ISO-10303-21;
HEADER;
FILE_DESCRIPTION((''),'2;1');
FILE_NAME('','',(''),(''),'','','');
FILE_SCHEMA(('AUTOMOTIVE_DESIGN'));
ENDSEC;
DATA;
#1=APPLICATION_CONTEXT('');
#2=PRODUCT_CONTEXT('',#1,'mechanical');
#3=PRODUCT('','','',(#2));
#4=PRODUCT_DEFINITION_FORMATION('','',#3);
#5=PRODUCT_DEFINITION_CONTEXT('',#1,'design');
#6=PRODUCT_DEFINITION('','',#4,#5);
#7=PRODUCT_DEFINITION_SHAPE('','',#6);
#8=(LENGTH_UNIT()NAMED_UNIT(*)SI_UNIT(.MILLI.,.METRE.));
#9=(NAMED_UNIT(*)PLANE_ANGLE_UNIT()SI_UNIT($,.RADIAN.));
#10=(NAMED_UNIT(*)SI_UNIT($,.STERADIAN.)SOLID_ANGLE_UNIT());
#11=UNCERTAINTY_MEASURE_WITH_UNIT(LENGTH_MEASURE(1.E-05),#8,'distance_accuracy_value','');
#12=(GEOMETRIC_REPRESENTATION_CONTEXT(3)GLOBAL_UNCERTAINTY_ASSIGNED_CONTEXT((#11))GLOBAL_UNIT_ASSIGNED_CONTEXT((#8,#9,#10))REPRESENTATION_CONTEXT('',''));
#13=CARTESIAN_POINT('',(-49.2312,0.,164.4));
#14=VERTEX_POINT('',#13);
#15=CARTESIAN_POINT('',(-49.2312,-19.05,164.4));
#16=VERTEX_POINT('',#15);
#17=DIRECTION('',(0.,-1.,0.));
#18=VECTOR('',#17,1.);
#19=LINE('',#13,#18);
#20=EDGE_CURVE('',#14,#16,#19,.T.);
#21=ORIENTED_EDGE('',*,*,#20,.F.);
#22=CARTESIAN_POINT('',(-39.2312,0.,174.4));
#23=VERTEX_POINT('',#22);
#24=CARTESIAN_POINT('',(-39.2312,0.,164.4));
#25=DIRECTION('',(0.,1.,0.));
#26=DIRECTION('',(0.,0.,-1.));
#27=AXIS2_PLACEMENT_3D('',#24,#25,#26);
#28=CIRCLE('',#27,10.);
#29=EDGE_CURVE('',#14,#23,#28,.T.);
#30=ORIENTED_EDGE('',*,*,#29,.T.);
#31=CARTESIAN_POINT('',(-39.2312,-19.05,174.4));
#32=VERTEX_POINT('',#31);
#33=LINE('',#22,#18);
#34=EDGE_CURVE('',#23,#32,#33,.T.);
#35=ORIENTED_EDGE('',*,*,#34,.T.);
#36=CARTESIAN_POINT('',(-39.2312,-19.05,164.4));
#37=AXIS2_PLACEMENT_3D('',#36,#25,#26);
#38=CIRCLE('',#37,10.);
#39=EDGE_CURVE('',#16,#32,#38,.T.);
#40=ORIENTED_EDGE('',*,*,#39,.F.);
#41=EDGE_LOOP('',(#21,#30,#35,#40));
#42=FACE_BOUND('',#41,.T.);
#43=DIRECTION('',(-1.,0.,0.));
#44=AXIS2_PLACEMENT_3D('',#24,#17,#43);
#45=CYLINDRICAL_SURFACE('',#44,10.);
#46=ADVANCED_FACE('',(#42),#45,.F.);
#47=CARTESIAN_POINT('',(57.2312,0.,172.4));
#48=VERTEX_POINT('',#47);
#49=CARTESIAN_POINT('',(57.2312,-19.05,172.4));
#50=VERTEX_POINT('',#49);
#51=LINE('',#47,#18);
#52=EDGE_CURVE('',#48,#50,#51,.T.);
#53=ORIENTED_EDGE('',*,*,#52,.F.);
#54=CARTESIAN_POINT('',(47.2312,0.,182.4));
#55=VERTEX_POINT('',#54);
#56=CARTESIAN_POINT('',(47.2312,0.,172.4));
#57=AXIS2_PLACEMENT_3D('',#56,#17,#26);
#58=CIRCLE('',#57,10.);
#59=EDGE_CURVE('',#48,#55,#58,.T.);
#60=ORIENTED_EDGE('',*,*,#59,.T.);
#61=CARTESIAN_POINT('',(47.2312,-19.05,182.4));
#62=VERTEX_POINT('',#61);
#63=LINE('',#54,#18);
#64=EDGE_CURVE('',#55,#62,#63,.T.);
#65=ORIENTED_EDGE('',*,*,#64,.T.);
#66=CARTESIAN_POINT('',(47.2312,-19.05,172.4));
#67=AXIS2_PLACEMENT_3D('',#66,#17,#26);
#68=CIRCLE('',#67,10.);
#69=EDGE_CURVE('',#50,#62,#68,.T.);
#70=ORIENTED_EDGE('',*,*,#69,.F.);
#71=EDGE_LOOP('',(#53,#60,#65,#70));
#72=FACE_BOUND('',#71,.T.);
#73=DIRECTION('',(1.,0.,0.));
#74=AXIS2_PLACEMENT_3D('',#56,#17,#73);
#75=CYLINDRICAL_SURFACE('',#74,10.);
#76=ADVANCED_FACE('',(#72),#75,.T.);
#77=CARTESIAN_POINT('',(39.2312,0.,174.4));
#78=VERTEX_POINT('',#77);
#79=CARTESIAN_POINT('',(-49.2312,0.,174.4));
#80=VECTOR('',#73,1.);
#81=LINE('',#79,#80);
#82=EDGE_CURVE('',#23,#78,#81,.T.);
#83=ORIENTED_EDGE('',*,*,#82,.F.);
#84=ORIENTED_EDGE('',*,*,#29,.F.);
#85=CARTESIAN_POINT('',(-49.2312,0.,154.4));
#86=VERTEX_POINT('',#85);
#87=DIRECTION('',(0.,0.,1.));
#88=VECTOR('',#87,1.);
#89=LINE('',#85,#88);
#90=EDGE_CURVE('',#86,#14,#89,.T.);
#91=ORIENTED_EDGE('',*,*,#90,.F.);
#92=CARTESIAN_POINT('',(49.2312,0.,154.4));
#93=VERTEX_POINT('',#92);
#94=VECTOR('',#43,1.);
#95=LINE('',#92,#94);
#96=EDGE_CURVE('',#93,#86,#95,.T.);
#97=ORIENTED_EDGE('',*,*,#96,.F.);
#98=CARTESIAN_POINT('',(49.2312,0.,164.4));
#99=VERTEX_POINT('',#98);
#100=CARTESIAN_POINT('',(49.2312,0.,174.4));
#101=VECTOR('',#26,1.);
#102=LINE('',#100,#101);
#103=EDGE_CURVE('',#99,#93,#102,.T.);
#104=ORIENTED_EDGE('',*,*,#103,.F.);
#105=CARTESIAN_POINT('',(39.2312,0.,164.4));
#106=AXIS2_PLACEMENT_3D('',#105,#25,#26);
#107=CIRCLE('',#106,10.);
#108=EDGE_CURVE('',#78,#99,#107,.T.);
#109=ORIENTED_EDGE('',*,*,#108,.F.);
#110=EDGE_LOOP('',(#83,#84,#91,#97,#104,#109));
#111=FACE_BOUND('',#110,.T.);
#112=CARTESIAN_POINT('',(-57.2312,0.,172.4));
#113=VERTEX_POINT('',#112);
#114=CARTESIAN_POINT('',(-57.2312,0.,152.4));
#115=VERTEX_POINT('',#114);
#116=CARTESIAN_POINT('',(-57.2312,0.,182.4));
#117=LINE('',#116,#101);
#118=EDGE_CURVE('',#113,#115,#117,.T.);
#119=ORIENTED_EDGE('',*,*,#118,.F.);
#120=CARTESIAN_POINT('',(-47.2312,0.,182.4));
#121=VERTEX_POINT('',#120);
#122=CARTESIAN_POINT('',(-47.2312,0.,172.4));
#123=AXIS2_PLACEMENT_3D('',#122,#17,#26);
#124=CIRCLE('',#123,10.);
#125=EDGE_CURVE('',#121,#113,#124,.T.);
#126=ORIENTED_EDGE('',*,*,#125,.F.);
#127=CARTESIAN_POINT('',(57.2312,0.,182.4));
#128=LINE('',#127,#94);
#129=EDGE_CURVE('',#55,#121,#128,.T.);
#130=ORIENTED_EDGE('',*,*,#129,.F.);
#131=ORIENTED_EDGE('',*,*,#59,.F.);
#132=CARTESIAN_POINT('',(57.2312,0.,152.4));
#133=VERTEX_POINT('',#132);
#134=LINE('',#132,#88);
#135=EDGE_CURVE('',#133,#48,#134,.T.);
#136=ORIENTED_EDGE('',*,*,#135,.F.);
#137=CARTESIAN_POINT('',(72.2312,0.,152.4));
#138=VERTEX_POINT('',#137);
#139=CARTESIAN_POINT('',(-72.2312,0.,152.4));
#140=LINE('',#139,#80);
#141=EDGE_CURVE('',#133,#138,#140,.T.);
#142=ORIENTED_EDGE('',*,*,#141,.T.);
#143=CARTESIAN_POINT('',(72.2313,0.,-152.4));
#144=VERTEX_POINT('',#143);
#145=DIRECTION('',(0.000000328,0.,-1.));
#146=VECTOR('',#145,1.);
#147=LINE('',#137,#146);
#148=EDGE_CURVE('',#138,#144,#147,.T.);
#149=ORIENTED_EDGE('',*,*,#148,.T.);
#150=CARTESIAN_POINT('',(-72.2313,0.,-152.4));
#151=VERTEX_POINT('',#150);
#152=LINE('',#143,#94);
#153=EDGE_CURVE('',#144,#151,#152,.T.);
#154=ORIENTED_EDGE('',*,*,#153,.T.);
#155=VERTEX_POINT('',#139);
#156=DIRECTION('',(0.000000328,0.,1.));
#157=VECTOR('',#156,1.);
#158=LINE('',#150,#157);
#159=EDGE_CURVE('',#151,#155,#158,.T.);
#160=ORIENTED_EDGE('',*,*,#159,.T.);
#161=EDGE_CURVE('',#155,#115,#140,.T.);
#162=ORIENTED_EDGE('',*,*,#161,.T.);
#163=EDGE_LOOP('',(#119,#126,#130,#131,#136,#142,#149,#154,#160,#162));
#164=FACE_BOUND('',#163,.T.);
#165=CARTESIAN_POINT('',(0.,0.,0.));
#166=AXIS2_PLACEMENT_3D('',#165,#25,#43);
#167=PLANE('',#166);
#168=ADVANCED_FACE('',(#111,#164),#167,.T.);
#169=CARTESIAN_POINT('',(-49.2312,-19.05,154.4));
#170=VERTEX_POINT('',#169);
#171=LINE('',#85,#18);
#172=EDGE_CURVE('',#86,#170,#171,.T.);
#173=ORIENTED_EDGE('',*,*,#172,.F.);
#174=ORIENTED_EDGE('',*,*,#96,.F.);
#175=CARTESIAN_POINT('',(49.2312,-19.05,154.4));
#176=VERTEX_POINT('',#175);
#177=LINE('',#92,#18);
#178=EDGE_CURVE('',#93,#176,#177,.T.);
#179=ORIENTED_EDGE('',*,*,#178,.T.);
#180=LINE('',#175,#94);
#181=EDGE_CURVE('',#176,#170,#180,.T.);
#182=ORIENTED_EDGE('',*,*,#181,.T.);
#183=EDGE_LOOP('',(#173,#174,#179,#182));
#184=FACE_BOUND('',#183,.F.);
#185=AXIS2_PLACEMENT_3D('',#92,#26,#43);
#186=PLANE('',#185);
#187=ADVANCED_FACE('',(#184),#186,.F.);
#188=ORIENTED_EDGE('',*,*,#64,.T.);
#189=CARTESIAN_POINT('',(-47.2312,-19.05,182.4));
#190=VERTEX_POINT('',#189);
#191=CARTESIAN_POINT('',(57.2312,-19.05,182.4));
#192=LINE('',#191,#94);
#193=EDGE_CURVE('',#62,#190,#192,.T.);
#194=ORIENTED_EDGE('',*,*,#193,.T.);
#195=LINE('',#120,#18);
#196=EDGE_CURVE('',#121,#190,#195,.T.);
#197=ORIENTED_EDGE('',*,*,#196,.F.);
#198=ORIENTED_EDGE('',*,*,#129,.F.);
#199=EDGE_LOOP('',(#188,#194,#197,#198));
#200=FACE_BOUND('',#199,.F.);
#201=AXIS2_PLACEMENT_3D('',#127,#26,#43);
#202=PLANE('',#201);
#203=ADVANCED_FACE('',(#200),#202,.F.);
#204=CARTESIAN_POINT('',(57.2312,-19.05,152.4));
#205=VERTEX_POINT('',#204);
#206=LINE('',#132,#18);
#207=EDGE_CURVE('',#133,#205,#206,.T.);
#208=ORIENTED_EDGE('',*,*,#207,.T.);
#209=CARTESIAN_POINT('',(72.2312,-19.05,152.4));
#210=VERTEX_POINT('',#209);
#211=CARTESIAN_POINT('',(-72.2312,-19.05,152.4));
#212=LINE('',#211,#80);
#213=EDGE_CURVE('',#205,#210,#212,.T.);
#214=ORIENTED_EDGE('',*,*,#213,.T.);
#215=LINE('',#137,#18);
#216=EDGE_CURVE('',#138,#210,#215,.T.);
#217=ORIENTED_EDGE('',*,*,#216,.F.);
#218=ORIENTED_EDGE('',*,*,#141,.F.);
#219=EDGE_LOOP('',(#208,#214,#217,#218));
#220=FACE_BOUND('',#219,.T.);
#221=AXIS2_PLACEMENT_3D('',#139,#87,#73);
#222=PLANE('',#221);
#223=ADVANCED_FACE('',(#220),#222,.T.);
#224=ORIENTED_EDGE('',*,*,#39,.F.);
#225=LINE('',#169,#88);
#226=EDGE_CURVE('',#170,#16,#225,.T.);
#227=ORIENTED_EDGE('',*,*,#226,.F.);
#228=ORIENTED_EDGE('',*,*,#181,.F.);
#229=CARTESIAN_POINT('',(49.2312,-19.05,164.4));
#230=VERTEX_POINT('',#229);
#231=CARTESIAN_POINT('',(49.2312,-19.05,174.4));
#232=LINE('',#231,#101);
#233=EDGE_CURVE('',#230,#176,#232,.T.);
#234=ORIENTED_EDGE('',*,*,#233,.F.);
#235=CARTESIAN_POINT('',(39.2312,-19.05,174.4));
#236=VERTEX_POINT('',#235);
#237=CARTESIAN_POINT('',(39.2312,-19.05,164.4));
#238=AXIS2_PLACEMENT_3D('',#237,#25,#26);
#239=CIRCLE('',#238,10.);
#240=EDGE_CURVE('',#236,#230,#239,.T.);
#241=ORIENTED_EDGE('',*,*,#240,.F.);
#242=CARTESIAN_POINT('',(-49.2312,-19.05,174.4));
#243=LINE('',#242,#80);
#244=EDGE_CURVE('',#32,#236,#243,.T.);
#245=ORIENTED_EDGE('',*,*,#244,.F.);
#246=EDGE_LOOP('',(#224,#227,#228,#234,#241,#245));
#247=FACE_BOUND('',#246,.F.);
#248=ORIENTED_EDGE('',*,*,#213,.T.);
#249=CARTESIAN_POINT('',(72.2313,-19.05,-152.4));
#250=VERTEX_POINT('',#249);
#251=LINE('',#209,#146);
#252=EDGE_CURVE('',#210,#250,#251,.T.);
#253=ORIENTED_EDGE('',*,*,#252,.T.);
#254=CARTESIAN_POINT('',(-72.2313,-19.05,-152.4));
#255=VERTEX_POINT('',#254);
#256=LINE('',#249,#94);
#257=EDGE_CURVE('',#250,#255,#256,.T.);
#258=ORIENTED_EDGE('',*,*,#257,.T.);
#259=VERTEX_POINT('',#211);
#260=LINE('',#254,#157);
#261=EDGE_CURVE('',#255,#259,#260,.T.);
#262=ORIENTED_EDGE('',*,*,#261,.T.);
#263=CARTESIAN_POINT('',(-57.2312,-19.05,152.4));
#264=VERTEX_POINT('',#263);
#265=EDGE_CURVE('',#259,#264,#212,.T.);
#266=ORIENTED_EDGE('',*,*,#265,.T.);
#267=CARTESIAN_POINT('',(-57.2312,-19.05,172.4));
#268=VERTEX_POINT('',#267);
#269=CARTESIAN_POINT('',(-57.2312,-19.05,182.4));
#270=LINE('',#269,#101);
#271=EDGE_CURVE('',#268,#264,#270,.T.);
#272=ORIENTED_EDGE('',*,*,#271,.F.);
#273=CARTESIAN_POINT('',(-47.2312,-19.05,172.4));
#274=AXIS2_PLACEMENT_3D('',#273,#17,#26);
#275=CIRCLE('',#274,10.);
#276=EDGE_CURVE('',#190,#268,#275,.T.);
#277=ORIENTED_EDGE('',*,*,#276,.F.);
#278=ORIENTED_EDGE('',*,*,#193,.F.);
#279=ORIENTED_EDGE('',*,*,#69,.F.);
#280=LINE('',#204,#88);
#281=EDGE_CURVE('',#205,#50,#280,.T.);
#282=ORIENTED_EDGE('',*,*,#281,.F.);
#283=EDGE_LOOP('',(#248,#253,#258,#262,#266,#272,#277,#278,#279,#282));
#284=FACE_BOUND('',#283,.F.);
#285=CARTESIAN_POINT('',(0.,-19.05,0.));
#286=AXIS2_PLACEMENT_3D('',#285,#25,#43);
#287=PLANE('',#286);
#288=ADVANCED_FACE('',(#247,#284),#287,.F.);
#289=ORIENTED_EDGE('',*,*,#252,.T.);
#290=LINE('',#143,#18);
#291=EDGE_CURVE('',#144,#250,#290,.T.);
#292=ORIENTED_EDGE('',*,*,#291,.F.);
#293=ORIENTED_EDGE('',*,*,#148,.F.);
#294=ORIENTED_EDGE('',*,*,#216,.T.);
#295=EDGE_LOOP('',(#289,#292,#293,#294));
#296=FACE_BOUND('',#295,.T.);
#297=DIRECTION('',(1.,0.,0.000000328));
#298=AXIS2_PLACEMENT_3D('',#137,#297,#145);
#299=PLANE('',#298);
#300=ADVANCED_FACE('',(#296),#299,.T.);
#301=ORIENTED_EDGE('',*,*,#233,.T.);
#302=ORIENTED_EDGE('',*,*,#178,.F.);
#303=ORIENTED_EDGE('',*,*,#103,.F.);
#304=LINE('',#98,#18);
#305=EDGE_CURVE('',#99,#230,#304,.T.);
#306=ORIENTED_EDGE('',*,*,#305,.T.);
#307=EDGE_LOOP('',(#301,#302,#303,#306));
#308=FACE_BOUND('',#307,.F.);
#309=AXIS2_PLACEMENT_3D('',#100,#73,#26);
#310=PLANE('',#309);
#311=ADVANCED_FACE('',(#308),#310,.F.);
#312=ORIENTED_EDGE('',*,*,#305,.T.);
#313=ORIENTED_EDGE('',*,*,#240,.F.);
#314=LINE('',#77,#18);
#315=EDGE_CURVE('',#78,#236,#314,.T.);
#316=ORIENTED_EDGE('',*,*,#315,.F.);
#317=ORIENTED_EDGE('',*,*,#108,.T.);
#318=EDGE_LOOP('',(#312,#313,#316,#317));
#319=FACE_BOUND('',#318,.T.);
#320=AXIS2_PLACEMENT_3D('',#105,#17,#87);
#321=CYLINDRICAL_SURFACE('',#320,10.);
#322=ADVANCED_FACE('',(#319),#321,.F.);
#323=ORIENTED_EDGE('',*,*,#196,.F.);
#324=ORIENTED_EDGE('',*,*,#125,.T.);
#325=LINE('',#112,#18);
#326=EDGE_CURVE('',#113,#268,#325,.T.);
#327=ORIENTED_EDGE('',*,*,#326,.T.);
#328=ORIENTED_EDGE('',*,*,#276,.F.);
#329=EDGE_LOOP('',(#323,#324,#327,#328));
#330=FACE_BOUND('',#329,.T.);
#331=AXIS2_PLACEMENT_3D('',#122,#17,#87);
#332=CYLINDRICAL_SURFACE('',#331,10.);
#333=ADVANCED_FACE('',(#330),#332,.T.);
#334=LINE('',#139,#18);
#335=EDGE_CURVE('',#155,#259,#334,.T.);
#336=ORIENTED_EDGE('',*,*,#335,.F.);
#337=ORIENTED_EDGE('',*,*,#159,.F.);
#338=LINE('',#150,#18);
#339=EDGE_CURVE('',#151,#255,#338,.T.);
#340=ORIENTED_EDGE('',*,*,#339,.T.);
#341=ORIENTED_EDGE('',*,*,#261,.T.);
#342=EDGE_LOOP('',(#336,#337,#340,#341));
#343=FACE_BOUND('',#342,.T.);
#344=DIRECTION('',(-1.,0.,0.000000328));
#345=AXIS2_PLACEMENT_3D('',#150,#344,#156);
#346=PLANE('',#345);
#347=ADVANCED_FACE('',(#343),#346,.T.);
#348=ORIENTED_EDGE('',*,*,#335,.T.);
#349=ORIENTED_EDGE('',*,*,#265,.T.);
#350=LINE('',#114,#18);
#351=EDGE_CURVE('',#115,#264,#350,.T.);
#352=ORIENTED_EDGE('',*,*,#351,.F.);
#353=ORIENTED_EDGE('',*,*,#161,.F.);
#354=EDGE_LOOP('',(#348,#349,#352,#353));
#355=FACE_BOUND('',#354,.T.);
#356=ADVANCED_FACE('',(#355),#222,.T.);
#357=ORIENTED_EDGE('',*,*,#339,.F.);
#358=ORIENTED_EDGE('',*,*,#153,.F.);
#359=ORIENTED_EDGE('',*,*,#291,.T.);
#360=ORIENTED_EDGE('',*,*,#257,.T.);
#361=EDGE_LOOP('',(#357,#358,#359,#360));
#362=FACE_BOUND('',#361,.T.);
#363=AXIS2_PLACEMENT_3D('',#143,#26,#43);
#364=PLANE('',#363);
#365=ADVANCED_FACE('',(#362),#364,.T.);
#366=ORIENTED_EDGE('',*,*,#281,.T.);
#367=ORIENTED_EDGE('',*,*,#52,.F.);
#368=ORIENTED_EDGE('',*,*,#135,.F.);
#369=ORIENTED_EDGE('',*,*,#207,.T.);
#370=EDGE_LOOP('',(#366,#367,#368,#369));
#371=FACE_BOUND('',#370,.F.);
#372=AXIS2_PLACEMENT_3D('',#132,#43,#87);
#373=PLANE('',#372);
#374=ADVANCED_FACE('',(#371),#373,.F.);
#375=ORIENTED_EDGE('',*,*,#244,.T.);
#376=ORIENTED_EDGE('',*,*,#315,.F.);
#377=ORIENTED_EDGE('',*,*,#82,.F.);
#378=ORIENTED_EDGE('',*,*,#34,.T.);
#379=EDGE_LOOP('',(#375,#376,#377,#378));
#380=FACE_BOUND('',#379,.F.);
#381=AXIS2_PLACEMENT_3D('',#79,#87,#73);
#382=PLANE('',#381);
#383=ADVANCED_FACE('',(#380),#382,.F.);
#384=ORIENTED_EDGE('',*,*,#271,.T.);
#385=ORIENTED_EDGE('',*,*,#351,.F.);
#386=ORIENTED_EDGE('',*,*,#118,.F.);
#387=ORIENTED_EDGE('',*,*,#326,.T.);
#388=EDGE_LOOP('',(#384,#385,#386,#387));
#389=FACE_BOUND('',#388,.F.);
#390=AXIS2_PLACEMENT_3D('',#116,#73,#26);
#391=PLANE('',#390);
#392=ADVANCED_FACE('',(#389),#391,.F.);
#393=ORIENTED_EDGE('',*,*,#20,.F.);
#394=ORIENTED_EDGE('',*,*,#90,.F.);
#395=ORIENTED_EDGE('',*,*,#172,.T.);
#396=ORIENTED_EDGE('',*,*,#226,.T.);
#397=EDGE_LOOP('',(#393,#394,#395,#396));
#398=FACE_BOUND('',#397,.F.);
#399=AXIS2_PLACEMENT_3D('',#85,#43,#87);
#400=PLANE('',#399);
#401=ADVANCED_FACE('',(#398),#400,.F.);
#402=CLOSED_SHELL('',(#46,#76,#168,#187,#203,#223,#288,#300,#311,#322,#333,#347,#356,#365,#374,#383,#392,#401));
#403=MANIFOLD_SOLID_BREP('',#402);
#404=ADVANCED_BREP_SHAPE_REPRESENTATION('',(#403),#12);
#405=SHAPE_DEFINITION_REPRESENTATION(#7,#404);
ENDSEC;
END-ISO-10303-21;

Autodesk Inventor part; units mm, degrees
ref_plane "YZ Plane" through (0, 0, 0) normal (1, 0, 0) x (0, 1, 0)
ref_plane "XZ Plane" through (0, 0, 0) normal (0, 1, 0) x (-1, 0, 0)
ref_plane "XY Plane" through (0, 0, 0) normal (0, 0, 1) x (1, 0, 0)
sketch "Sketch1" plane through (0, 0, 0) normal (0, 1, 0) x (-1, 0, 0)
  line L0 (-72.2313, -152.4) -> (72.2313, -152.4)
  line L1 (72.2313, -152.4) -> (72.2312, 152.4)
  line L2 (72.2312, 152.4) -> (-72.2312, 152.4)
  line L3 (-72.2312, 152.4) -> (-72.2313, -152.4)
  line L4 (-72.2313, -152.4) -> (72.2312, 152.4) construction
  line L5 (72.2313, -152.4) -> (-72.2312, 152.4) construction
  point P0 (0, 0)
  dimension "d0" = 144.4625
  dimension "d1" = 304.8
extrude "Extrusion1" add sketch "Sketch1" against normal blind 19.05
sketch "Sketch2" plane through (0, 0, 0) normal (0, 1, 0) x (1, 0, 0)
  line L0 (72.2312, -152.4) -> (-72.2312, -152.4) projected
  line L1 (-57.2312, -152.4) -> (57.2312, -152.4)
  line L2 (57.2312, -152.4) -> (57.2312, -182.4)
  line L3 (57.2312, -182.4) -> (-57.2312, -182.4)
  line L4 (-57.2312, -182.4) -> (-57.2312, -152.4)
  line L5 (-72.2313, 152.4) -> (-72.2312, -152.4) projected
  line L6 (72.2312, -152.4) -> (72.2313, 152.4) projected
  point P0 (0, 0)
  dimension "d4" = 15
  dimension "d5" = 15
  dimension "d6" = 30
extrude "Extrusion2" add sketch "Sketch2" against normal blind 19.05
sketch "Sketch3" plane through (0, 0, 0) normal (0, 1, 0) x (1, 0, 0)
  line L0 (-49.2312, -174.4) -> (49.2312, -174.4)
  line L1 (49.2312, -174.4) -> (49.2312, -154.4)
  line L2 (49.2312, -154.4) -> (-49.2312, -154.4)
  line L3 (-49.2312, -154.4) -> (-49.2312, -174.4)
  line L4 (-57.2312, -152.4) -> (-57.2312, -182.4) projected
  line L5 (-57.2312, -182.4) -> (57.2312, -182.4) projected
  line L6 (-72.2312, -152.4) -> (-57.2312, -152.4) projected
  line L7 (57.2312, -182.4) -> (57.2312, -152.4) projected
  point P0 (0, 0)
  point P1 (-57.2312, -167.4)
  dimension "d9" = 8
  dimension "d10" = 8
  dimension "d11" = 2
  dimension "d12" = 8
extrude "Extrusion3" cut sketch "Sketch3" against normal blind 19.05
fillet "Fillet1" radius 10 1 edges at (57.2312, -9.525, 182.4)
fillet "Fillet2" radius 10 1 edges at (-57.2312, -9.525, 182.4)
fillet "Fillet3" radius 10 1 edges at (-49.2312, -9.525, 174.4)
fillet "Fillet4" radius 10 1 edges at (49.2312, -9.525, 174.4)
properties material "Wood (Maple)"
